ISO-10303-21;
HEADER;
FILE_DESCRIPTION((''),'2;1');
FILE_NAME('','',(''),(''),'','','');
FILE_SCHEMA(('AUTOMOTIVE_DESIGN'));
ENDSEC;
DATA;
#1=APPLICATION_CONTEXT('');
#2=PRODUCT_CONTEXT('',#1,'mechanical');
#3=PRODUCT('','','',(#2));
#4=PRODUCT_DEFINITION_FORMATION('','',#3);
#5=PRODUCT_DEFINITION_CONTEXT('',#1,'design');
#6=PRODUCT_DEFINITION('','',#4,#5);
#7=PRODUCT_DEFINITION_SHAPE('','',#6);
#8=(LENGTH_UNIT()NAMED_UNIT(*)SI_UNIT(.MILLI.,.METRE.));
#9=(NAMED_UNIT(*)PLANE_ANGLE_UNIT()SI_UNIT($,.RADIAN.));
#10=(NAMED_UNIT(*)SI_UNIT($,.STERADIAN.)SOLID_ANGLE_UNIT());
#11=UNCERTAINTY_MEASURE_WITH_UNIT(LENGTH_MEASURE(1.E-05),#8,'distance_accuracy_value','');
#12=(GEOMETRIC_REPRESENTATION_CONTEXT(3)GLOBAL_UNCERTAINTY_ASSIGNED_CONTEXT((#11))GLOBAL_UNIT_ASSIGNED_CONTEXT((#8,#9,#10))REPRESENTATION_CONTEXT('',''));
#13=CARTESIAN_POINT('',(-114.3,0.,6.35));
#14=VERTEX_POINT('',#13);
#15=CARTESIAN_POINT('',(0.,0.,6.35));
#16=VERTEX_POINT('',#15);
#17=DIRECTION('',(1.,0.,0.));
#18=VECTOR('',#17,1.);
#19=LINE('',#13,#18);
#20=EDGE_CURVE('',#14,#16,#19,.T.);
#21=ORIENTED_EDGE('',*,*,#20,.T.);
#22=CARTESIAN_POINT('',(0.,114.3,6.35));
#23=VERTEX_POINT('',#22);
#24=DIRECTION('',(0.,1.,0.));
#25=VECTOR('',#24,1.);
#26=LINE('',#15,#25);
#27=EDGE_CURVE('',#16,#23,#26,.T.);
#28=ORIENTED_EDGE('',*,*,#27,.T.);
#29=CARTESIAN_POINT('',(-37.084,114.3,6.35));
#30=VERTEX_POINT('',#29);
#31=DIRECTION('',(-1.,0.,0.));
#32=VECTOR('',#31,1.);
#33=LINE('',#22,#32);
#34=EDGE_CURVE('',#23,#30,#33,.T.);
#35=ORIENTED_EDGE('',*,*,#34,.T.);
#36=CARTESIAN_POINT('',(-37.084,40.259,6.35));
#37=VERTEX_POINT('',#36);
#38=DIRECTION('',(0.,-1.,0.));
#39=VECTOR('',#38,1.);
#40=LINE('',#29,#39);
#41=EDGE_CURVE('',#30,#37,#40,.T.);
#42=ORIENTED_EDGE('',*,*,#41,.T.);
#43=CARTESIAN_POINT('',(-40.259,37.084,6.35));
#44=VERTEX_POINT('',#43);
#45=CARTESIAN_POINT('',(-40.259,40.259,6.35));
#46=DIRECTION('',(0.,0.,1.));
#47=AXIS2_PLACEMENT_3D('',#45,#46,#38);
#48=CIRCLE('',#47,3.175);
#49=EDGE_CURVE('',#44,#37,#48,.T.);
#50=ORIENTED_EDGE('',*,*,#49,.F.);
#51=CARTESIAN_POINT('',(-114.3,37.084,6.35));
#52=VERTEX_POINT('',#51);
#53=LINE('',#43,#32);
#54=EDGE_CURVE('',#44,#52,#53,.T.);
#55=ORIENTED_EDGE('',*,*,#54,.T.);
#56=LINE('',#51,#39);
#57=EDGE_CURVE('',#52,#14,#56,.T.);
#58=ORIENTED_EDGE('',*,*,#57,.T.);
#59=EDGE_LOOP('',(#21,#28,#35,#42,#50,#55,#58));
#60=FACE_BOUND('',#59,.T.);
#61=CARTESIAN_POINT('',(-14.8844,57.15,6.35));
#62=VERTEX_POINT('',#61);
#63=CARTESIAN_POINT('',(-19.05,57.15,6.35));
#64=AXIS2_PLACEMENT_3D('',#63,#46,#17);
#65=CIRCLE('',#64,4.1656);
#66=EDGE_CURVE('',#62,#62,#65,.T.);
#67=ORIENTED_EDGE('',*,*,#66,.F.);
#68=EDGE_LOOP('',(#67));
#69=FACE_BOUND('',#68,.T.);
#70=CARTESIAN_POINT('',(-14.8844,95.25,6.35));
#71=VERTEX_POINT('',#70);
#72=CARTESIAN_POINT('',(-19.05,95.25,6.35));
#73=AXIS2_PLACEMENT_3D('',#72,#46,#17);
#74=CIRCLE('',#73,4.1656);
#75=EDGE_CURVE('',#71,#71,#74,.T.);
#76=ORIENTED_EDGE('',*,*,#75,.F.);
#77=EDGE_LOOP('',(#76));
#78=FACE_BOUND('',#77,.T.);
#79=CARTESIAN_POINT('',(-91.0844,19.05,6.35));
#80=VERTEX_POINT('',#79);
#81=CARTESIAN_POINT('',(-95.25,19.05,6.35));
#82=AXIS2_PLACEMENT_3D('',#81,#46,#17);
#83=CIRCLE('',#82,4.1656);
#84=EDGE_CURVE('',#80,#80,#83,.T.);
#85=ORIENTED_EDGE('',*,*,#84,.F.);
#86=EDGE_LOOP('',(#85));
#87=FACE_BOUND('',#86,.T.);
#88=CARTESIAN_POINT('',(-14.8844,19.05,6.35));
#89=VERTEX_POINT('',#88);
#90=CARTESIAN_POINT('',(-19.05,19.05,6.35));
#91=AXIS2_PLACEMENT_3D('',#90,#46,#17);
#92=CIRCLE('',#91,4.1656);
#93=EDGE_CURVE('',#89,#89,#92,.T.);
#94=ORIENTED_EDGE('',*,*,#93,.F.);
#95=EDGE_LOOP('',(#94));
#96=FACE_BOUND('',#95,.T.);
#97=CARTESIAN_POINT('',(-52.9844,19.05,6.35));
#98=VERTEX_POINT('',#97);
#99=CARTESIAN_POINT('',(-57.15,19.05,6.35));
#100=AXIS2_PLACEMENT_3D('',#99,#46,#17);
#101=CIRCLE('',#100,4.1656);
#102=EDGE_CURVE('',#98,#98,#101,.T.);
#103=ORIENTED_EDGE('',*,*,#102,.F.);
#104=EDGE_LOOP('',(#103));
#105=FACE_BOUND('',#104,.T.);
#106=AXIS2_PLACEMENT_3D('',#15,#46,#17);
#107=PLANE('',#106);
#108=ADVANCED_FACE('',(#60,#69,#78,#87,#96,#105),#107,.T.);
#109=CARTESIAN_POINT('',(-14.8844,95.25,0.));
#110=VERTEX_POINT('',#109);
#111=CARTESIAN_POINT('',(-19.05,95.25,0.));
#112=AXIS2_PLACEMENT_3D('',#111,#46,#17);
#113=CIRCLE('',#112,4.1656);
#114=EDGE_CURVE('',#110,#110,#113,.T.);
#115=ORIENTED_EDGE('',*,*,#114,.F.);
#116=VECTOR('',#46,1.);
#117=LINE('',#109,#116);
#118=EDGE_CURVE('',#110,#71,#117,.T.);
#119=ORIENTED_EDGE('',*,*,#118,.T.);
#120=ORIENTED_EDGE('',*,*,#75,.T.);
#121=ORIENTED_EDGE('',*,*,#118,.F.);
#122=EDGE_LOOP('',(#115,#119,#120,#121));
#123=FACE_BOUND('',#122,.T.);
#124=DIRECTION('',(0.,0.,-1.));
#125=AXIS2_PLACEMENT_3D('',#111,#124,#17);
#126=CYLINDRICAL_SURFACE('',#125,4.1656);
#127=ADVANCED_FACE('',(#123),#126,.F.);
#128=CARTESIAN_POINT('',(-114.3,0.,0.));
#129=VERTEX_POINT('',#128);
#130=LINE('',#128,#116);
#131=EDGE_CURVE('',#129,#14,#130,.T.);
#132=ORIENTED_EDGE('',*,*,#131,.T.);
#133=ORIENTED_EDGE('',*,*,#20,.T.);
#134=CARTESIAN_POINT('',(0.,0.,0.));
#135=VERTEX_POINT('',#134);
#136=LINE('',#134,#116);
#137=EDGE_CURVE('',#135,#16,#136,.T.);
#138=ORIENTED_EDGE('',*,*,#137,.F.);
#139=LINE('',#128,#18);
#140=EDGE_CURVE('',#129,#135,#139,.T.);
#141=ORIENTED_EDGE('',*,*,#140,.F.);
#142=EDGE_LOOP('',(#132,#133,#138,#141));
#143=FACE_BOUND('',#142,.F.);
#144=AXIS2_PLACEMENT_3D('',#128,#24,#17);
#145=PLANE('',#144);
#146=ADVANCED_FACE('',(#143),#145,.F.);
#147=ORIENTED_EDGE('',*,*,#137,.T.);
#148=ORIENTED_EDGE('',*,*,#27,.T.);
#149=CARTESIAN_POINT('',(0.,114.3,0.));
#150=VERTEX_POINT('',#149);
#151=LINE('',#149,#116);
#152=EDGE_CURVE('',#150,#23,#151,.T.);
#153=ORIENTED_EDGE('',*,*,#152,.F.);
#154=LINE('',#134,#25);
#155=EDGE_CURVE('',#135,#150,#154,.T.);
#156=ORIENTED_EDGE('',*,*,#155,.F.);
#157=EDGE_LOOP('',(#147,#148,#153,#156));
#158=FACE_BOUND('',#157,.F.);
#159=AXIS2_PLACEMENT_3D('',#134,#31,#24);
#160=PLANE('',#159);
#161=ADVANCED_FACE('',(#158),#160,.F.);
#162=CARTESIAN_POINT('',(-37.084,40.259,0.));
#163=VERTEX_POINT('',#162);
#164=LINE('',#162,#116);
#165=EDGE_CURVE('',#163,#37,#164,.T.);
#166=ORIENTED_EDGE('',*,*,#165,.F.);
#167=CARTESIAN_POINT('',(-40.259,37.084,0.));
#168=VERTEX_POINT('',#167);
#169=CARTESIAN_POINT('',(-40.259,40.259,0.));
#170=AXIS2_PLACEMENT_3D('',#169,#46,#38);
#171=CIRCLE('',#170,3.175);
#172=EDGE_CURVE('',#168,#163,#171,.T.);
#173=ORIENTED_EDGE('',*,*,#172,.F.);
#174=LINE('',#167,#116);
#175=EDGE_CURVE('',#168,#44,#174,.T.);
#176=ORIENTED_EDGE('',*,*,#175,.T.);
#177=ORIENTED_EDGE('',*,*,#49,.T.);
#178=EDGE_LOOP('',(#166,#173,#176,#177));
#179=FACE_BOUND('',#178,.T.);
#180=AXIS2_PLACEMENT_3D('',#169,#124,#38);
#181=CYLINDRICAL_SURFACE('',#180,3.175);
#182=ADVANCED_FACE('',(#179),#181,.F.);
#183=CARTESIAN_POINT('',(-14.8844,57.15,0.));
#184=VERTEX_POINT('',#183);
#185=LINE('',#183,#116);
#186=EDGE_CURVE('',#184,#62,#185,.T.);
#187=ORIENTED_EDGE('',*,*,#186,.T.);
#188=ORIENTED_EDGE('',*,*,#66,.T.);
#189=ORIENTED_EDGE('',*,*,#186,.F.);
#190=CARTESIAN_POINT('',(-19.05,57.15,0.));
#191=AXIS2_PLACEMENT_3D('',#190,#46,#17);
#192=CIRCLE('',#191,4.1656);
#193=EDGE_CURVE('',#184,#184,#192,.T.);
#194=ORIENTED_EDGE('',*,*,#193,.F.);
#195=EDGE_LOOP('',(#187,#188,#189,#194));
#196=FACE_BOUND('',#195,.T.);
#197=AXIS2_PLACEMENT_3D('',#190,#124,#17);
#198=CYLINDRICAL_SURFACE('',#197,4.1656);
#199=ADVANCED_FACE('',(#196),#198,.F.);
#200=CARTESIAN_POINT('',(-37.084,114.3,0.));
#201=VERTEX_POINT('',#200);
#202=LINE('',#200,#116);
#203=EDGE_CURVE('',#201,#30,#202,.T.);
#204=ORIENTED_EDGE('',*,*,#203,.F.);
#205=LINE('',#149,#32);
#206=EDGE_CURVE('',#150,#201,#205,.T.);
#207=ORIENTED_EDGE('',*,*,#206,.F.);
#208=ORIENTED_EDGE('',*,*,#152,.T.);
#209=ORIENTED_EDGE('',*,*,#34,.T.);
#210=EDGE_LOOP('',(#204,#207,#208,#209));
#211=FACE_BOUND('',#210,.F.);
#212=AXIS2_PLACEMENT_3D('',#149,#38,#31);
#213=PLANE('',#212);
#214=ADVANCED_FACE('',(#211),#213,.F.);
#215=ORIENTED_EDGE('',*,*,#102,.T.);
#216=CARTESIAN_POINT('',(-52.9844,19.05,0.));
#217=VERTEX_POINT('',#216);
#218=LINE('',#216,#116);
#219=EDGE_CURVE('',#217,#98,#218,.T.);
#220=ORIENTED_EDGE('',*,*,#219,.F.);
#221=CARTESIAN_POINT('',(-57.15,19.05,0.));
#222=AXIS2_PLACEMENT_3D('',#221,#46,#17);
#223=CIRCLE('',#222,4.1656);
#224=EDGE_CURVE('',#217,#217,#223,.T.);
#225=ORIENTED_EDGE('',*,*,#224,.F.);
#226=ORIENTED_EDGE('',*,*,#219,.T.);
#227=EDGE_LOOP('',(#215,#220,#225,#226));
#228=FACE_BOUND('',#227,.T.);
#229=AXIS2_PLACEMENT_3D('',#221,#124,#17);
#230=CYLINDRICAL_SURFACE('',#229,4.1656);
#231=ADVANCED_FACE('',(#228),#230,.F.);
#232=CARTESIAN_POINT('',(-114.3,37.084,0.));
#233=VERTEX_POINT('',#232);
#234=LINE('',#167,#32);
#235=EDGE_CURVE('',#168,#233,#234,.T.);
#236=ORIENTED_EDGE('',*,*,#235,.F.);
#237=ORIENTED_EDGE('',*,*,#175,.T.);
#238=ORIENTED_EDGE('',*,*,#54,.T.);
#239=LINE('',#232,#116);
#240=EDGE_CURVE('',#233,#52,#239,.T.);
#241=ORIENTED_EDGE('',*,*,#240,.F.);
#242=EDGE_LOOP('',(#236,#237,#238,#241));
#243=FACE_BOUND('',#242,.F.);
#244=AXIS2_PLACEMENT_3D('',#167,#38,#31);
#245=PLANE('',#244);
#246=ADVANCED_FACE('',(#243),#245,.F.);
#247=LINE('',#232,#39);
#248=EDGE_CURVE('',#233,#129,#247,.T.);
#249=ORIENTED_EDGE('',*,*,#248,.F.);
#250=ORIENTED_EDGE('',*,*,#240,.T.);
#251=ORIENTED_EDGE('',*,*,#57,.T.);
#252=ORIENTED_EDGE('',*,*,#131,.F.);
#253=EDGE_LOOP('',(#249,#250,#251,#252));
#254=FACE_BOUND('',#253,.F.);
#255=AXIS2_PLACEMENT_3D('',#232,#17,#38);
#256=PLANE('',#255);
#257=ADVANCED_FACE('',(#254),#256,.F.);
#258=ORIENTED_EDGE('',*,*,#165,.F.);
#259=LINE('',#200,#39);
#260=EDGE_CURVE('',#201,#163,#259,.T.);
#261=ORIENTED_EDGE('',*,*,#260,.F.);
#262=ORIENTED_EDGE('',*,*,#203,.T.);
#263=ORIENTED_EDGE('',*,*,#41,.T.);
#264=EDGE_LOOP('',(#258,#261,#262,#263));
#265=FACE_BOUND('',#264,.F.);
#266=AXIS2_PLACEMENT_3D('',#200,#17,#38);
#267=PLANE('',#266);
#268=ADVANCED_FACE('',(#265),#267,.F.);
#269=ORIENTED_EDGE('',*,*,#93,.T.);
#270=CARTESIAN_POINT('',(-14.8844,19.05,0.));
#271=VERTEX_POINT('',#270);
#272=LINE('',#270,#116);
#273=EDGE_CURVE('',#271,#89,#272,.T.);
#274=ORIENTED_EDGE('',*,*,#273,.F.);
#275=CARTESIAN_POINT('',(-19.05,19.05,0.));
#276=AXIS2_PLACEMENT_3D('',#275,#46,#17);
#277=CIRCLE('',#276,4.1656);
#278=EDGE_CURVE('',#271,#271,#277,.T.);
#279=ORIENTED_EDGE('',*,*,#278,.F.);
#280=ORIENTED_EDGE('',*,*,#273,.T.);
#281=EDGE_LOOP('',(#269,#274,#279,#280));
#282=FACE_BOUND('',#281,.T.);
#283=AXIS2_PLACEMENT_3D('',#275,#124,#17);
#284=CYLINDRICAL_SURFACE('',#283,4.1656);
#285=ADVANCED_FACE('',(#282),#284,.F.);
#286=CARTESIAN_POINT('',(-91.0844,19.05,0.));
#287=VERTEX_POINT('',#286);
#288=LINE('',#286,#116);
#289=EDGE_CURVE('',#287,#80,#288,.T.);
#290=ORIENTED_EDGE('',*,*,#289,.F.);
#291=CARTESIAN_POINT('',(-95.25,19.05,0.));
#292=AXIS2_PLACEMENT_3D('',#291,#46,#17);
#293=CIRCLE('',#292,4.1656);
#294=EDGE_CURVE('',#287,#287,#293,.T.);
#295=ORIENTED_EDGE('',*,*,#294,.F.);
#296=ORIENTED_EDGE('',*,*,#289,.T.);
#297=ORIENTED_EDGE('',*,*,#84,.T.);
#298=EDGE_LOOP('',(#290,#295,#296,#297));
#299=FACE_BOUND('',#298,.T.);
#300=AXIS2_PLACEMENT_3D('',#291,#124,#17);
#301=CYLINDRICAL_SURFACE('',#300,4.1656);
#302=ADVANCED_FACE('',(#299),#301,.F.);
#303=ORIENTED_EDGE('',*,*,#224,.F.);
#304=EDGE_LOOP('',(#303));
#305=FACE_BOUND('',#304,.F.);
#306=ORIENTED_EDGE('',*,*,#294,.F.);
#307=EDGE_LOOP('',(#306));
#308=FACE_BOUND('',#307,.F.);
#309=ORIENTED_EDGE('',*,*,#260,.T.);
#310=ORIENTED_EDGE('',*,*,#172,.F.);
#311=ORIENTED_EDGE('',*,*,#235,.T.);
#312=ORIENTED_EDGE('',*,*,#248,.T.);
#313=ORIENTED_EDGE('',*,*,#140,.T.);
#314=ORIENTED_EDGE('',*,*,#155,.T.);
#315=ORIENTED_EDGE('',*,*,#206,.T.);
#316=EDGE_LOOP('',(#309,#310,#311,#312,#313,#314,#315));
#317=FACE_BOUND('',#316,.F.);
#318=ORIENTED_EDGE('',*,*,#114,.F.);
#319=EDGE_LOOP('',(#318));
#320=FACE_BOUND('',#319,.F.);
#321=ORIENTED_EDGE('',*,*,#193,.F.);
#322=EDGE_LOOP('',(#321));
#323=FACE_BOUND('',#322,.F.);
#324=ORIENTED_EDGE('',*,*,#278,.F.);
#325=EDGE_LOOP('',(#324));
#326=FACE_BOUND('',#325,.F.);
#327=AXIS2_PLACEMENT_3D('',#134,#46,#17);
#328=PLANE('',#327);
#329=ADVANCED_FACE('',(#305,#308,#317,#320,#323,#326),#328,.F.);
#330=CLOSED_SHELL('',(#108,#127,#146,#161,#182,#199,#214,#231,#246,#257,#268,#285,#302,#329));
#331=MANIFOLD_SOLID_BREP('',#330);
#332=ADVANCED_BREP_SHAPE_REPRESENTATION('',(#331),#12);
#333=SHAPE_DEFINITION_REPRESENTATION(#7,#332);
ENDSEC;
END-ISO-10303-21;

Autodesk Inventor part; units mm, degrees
ref_plane "YZ Plane" through (0, 0, 0) normal (1, 0, 0) x (0, 1, 0)
ref_plane "XZ Plane" through (0, 0, 0) normal (0, 1, 0) x (-1, 0, 0)
ref_plane "XY Plane" through (0, 0, 0) normal (0, 0, 1) x (1, 0, 0)
sketch "Sketch_1" plane through (0, 0, 0) normal (0, 0, 1) x (1, 0, 0)
  line L0 (-114.3, 37.084) -> (-114.3, 0)
  line L1 (-114.3, 0) -> (0, 0)
  line L2 (0, 0) -> (0, 114.3)
  line L3 (0, 114.3) -> (-37.084, 114.3)
  line L4 (-37.084, 114.3) -> (-37.084, 40.259)
  arc A0 (-40.259, 37.084) -> (-37.084, 40.259) centre (-40.259, 40.259) ccw
  line L5 (-40.259, 37.084) -> (-114.3, 37.084)
  circle A1 centre (-19.05, 19.05) radius 4.1656
  circle A2 centre (-19.05, 95.25) radius 4.1656
  circle A3 centre (-19.05, 57.15) radius 4.1656
  circle A4 centre (-57.15, 19.05) radius 4.1656
  circle A5 centre (-95.25, 19.05) radius 4.1656
extrude "Extrusion1" add sketch "Sketch_1" along normal blind 6.35
properties part number "4481"
